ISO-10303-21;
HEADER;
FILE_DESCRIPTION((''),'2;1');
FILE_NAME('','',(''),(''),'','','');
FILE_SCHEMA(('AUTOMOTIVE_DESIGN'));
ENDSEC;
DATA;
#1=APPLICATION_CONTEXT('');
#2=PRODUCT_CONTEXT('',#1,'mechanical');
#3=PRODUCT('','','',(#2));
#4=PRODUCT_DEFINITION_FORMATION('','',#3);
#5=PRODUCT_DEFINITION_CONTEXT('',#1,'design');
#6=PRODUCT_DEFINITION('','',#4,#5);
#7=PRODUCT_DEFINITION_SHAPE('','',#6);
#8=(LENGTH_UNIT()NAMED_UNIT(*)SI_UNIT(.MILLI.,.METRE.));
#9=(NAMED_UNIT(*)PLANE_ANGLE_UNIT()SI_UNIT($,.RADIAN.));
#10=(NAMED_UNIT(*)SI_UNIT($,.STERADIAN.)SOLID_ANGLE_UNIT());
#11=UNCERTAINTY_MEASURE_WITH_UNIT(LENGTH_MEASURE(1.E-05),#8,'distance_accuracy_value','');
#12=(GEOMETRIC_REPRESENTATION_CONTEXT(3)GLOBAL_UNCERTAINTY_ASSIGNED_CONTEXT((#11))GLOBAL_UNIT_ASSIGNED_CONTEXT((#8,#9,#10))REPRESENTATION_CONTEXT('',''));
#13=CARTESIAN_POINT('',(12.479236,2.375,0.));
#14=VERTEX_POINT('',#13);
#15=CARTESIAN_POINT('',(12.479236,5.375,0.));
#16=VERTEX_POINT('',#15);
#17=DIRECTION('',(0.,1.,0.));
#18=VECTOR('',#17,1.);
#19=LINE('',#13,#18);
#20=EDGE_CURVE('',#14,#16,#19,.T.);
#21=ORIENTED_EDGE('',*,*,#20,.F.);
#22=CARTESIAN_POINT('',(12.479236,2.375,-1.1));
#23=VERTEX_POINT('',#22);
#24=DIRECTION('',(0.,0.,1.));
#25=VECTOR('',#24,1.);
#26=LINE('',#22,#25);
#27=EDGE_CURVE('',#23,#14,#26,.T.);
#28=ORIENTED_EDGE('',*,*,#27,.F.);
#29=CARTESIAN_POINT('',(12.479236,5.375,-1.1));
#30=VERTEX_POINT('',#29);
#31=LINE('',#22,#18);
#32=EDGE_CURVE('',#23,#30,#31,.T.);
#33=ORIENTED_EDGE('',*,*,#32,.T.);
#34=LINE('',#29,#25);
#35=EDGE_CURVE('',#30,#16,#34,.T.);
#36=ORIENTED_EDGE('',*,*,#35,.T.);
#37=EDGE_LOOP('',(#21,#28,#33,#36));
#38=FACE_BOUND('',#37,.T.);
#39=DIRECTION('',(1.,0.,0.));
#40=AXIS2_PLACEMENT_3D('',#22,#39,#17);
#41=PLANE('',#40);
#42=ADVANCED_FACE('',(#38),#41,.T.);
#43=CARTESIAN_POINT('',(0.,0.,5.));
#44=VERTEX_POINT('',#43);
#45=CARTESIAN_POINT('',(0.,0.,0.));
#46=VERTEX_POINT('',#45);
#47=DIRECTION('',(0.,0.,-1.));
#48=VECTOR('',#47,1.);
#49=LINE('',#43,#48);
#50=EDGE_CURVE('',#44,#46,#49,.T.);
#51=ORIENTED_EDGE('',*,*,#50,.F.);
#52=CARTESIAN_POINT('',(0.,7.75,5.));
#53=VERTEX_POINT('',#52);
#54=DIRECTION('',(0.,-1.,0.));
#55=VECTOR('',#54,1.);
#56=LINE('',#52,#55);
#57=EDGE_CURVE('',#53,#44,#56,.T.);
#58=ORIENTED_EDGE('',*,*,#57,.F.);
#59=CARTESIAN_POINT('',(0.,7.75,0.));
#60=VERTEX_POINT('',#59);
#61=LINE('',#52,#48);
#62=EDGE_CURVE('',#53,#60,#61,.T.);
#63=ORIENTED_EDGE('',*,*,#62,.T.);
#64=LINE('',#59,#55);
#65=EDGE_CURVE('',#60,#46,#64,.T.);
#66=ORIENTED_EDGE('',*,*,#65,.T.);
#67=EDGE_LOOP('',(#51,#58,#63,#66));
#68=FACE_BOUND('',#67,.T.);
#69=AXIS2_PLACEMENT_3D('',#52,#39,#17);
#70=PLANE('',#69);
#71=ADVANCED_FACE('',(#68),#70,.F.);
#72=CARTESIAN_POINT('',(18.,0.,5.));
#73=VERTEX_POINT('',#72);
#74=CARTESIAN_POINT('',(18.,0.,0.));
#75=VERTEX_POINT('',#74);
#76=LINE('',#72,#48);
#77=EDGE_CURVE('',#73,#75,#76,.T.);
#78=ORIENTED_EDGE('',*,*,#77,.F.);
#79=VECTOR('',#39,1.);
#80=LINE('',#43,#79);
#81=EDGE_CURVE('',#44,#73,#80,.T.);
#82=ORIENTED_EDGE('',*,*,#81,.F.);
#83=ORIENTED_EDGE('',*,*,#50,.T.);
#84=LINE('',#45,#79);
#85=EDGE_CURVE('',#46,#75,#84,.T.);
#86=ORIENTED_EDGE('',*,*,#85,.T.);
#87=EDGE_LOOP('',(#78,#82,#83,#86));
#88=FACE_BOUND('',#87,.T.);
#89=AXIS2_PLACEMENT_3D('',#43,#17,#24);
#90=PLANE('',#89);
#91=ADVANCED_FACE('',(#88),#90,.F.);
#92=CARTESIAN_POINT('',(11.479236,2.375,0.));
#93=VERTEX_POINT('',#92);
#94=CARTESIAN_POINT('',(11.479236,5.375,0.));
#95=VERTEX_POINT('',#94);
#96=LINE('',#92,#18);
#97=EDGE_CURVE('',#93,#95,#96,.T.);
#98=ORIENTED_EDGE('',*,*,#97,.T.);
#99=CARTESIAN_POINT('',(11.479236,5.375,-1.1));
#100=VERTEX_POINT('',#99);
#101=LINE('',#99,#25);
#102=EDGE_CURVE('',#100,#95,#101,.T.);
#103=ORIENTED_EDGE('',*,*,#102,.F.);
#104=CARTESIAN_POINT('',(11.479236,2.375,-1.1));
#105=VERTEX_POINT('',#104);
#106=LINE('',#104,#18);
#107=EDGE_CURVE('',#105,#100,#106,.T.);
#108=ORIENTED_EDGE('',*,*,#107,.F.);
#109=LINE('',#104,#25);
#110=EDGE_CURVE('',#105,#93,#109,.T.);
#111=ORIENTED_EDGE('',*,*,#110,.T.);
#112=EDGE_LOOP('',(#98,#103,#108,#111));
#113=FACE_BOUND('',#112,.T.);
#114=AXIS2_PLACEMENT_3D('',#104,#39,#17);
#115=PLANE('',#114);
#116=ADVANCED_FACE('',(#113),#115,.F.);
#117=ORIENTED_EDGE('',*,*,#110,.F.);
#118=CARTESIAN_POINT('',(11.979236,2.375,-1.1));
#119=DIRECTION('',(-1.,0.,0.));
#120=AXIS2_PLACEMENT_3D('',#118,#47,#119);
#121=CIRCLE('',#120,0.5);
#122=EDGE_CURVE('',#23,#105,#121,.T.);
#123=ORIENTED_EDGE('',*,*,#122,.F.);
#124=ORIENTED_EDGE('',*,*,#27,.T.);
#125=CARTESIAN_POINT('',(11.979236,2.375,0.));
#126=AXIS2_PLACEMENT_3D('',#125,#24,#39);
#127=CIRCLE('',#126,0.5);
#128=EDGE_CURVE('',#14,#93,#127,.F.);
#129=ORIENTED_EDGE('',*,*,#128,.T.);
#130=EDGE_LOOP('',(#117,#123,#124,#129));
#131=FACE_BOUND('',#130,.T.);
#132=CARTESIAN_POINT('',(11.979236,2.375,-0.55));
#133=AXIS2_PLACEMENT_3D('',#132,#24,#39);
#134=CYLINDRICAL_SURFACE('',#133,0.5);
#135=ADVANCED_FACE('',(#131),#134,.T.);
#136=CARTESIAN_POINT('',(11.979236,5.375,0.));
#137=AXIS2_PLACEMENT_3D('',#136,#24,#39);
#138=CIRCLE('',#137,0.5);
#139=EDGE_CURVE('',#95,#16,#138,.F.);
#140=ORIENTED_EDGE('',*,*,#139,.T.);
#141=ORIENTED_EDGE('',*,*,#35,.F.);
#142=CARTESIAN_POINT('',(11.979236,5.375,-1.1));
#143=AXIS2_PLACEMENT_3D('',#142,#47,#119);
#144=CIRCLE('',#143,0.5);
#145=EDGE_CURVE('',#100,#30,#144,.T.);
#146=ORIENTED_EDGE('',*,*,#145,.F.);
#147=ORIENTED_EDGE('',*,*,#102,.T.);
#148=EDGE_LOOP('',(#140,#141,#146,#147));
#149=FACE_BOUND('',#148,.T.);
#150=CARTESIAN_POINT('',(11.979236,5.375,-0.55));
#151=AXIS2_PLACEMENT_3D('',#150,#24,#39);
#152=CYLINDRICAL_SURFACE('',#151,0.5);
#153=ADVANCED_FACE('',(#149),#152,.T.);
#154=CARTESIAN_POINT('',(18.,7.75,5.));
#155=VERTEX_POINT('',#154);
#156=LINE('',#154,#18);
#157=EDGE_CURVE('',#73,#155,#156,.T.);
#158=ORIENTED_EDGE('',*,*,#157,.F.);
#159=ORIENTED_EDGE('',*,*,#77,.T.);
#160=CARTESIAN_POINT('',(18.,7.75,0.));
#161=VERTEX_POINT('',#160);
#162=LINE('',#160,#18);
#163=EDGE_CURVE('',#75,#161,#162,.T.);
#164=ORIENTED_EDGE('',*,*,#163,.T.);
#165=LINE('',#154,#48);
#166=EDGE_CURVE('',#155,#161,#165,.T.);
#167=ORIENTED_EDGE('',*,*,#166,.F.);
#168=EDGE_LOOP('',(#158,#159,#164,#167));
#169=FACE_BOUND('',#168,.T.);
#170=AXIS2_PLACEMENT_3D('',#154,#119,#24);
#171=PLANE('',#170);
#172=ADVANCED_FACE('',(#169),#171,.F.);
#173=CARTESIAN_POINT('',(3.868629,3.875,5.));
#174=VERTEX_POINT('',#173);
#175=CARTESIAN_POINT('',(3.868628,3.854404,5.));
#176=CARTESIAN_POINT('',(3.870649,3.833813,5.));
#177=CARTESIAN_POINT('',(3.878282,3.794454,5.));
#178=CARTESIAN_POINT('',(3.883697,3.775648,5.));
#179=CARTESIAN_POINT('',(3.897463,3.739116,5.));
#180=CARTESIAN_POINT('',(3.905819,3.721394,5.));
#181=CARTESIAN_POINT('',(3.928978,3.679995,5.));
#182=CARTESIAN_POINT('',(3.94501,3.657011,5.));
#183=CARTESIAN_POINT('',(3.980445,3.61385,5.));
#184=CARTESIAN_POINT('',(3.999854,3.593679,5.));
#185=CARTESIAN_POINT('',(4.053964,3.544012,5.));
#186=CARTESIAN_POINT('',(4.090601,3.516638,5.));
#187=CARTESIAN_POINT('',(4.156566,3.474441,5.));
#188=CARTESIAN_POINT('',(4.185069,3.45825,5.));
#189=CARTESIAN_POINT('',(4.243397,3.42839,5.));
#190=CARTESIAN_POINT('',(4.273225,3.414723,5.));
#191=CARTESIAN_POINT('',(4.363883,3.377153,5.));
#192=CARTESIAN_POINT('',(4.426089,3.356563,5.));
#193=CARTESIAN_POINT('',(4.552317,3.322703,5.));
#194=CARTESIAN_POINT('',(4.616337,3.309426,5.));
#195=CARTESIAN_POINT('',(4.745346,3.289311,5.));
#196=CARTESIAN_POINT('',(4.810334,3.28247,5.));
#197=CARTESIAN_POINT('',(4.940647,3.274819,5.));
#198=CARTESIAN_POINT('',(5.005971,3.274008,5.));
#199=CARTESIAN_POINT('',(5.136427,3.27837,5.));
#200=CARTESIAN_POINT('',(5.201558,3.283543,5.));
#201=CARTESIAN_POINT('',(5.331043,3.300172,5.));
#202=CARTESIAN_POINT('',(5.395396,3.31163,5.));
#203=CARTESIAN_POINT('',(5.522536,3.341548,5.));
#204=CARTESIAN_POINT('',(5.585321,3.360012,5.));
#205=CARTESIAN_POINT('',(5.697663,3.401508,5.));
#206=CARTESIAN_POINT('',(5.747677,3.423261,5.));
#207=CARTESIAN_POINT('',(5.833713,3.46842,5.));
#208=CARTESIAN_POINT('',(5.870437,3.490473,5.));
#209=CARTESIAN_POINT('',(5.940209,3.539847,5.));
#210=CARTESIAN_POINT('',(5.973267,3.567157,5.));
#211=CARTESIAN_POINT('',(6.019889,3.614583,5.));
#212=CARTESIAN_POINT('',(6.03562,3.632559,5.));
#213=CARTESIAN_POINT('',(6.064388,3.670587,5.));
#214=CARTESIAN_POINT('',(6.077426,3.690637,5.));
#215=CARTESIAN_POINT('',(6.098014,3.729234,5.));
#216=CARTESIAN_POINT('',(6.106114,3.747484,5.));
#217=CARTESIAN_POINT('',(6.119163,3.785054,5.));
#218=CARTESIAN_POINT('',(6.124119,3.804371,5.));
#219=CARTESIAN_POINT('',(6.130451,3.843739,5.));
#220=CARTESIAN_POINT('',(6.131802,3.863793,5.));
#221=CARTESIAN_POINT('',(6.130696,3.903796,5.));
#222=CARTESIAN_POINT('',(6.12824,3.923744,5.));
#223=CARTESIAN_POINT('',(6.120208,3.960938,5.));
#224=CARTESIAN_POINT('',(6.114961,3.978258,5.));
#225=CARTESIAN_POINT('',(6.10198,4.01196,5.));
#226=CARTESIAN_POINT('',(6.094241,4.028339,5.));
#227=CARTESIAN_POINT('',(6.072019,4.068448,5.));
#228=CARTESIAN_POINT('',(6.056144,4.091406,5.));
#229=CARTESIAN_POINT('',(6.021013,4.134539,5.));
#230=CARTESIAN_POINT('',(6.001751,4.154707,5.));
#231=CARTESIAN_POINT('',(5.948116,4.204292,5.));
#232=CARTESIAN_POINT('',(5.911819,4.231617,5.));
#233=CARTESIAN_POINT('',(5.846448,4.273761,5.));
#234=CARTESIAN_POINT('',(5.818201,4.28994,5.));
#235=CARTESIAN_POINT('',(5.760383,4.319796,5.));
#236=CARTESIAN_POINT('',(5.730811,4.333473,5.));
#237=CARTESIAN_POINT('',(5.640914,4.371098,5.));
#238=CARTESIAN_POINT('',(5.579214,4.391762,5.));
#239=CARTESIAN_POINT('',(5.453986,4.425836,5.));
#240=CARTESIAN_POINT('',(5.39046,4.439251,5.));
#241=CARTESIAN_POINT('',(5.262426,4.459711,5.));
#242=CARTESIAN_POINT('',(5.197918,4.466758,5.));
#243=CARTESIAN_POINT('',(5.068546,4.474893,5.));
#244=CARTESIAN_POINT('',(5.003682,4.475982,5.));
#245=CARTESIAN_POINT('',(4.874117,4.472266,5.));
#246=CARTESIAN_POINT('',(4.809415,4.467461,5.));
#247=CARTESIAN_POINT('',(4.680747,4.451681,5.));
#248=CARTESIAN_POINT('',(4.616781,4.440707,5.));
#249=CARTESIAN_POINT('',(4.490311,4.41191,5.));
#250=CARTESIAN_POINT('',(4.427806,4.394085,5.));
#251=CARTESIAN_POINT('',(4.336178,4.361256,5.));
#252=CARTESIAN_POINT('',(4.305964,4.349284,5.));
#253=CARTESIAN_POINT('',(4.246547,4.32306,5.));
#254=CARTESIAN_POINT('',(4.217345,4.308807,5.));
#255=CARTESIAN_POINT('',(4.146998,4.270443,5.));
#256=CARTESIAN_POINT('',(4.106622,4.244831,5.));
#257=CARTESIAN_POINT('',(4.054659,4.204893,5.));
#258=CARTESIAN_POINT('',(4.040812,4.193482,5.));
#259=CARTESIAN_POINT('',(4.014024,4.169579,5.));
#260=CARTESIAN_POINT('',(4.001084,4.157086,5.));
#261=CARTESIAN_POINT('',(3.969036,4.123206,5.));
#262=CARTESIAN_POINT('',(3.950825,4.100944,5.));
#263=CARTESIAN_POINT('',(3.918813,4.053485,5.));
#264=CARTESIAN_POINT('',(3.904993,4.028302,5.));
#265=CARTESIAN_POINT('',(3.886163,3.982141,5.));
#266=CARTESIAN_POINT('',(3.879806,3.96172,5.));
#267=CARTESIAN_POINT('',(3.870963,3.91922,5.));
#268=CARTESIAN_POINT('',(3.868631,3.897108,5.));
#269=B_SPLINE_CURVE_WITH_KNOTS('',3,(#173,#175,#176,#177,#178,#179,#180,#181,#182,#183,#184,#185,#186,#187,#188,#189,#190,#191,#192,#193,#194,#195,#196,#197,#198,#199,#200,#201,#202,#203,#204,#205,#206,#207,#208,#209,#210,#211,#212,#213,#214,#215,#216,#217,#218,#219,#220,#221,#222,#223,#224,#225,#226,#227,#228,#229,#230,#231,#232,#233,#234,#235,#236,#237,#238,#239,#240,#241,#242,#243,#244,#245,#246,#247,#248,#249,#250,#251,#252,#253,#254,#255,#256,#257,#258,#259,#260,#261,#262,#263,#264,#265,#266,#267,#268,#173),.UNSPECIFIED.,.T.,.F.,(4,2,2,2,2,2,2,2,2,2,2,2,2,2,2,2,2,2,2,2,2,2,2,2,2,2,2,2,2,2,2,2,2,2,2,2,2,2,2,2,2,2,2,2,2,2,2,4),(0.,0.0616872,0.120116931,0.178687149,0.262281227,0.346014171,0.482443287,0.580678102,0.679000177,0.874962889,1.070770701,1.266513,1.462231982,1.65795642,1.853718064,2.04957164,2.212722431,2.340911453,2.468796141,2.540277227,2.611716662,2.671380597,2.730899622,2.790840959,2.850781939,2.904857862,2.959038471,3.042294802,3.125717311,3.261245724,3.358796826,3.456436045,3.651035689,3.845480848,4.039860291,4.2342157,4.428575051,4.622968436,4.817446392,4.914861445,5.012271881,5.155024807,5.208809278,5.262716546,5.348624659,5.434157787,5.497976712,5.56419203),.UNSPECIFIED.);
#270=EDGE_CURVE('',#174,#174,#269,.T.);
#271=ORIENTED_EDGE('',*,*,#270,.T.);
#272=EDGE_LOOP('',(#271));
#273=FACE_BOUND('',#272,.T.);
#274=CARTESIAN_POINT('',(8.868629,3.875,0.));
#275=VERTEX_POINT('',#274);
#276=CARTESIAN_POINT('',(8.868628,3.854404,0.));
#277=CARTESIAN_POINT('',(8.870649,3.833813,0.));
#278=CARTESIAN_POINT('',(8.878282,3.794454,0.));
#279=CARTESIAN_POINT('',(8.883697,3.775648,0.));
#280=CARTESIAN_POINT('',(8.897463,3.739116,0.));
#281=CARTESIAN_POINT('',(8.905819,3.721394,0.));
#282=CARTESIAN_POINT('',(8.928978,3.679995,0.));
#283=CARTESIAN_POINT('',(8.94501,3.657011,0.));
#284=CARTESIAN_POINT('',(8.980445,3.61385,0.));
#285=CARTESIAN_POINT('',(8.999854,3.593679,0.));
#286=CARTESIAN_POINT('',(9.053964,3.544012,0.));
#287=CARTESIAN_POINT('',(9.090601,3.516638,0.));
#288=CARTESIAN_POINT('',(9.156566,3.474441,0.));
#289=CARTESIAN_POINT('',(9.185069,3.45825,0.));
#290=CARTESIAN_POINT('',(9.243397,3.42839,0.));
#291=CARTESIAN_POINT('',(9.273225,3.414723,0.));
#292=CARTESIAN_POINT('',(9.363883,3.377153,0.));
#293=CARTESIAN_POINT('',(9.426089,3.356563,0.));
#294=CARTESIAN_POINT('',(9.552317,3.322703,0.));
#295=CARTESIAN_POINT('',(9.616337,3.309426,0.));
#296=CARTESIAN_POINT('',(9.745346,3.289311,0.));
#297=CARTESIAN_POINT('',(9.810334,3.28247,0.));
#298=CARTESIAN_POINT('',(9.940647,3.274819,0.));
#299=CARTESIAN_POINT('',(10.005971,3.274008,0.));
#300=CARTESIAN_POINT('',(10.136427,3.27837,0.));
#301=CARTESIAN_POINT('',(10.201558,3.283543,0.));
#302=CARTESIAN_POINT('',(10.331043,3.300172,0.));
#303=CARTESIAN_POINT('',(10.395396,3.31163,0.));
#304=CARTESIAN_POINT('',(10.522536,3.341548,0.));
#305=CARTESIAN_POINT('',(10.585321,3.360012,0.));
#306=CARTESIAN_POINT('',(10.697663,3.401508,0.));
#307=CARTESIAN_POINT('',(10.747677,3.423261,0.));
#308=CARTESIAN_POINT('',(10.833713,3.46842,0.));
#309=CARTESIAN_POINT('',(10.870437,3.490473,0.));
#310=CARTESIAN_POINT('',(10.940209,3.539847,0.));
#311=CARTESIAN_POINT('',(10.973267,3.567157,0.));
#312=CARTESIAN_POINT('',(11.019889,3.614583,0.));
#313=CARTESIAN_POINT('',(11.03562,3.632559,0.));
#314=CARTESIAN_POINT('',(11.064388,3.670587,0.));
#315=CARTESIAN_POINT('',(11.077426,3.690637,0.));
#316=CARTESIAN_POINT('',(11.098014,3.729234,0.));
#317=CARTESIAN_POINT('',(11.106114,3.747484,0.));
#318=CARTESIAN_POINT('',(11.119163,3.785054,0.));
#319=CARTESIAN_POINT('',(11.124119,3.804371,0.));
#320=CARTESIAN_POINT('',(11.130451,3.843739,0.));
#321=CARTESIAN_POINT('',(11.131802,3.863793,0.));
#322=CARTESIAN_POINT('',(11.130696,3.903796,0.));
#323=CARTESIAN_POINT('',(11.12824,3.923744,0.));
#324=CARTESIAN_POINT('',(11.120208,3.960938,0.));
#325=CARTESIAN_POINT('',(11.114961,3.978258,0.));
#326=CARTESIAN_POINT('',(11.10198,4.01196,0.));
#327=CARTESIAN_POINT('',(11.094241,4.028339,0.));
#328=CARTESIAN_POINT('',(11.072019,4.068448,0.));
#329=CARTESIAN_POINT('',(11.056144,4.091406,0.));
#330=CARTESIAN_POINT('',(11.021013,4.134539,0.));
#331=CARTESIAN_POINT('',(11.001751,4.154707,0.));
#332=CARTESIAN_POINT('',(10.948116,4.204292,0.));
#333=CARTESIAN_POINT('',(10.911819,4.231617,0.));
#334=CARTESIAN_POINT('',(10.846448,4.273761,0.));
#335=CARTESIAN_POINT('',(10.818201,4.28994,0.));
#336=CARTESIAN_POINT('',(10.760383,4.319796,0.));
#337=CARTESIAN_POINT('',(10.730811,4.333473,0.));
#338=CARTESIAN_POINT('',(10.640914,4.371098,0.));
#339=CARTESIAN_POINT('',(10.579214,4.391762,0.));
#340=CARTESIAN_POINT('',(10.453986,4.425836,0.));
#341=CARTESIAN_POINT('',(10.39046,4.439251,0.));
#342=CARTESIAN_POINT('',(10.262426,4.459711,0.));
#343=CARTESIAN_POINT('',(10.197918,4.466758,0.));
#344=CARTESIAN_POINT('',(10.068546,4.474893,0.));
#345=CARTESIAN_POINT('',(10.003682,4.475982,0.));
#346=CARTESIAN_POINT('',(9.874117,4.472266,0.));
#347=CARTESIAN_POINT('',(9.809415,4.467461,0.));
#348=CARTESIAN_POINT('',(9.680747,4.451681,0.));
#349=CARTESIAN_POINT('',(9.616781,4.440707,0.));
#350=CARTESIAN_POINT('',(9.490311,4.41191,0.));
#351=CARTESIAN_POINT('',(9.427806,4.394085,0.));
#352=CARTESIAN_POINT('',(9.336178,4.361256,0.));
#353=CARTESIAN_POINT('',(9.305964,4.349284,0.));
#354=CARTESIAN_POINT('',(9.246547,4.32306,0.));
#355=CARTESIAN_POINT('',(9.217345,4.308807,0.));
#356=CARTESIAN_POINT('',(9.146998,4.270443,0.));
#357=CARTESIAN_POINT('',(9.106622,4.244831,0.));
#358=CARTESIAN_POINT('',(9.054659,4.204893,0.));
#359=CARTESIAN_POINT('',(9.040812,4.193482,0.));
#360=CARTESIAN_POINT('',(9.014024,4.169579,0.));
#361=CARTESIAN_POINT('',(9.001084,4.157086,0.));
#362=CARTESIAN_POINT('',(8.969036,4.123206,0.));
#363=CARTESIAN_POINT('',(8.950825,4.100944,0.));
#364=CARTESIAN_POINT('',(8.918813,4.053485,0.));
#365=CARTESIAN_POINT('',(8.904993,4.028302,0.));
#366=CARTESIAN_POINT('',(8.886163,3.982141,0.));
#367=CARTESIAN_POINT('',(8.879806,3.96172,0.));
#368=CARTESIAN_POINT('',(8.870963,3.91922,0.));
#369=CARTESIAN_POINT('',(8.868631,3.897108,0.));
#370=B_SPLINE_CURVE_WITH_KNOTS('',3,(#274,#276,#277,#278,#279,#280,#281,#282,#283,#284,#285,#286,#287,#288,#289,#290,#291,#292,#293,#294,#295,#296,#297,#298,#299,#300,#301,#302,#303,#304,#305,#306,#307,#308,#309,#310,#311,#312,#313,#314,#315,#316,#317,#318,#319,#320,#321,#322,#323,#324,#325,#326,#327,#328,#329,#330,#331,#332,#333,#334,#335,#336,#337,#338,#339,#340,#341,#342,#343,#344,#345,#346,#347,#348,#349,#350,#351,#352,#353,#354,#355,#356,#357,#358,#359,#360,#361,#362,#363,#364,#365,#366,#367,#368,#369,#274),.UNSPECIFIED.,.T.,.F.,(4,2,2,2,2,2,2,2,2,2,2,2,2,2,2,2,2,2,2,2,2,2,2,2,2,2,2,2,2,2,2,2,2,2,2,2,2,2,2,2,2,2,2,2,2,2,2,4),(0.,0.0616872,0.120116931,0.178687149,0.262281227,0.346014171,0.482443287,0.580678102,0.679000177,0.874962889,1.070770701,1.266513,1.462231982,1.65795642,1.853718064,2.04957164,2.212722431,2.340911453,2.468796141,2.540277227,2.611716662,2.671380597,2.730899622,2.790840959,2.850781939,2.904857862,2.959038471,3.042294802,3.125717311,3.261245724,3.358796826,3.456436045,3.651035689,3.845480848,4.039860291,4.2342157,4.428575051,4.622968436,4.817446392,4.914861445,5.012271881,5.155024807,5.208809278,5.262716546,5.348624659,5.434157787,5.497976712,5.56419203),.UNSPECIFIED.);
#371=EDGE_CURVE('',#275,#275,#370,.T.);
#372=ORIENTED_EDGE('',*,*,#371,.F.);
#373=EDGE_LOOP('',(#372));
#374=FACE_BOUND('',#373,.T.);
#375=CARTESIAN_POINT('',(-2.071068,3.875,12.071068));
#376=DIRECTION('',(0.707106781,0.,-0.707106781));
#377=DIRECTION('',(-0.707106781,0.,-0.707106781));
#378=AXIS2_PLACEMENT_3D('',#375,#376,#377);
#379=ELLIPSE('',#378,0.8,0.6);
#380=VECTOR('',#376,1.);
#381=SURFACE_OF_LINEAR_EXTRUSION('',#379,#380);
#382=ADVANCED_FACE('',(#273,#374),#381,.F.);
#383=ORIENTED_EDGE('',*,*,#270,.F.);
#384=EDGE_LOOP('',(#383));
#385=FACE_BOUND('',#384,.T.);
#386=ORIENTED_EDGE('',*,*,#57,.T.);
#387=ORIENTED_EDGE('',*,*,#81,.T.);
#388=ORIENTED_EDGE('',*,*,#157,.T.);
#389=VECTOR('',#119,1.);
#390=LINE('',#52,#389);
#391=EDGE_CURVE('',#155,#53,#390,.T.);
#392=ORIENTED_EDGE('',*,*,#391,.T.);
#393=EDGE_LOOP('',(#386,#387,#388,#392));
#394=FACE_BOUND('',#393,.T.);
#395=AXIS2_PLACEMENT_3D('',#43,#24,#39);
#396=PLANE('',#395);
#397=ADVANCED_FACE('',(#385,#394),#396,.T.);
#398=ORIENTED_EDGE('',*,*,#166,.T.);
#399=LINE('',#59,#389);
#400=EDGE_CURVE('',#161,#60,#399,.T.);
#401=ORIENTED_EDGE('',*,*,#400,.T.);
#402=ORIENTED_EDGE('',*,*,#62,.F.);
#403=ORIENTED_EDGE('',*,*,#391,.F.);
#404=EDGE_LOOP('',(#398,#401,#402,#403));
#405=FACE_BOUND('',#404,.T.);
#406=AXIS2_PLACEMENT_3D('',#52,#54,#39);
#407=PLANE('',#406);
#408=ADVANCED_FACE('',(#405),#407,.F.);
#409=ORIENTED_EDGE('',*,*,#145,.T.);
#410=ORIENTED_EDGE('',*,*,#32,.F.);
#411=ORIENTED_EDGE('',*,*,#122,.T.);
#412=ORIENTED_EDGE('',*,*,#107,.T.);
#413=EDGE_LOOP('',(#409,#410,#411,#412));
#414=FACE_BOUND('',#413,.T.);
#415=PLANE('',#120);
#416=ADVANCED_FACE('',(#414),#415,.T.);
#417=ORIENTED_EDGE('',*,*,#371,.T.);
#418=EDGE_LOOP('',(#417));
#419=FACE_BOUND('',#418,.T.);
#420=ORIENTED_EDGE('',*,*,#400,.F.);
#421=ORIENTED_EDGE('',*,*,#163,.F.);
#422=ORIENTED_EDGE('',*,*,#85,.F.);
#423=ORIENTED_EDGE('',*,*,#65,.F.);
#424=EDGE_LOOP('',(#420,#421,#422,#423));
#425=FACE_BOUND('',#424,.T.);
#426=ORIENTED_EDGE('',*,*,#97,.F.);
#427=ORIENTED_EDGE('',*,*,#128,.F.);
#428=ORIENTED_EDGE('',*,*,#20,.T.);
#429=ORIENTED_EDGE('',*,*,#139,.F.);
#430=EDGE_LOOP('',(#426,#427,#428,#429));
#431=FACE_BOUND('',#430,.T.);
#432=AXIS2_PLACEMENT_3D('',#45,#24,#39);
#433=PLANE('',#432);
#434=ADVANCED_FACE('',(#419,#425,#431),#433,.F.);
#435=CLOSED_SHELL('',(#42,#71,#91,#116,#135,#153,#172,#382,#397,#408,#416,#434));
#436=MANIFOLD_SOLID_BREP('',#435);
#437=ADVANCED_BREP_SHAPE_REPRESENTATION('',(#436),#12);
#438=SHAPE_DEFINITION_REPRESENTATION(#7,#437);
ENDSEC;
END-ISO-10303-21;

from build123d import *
from build123d.topology import SkipClean

# Parameters (mm, degrees)
ESQUISSE1_W                  = 18
ESQUISSE1_H                  = 7.75
BOSS_EXTRU_1_DEPTH           = 5
ENL_V_MAT_EXTRU_1_DEPTH      = 15
ENL_V_MAT_EXTRU_1_DEPTH_BACK = 10
ESQUISSE13_RX                = 0.8
ESQUISSE13_RY                = 0.6
ESQUISSE15_R                 = 0.5
BOSS_EXTRU_3_DEPTH           = 0.55
BOSS_EXTRU_4_DEPTH           = 1.1


with BuildPart() as part:
    # Esquisse1 → Boss.-Extru.1 (new body)
    with BuildSketch(Plane.XY):
        with Locations((9, 3.875)):
            Rectangle(ESQUISSE1_W, ESQUISSE1_H)
    extrude(amount=BOSS_EXTRU_1_DEPTH)

    # Esquisse13 → Enlèv. mat.-Extru.1 (cut, two sides: drawn at the far end of the back side and taken through both)
    with BuildSketch(Plane(origin=(5, 3.875, 5), x_dir=(-0.7071067811865476, 0, -0.7071067811865475), z_dir=(0.7071067811865475, 0, -0.7071067811865476)).offset(-ENL_V_MAT_EXTRU_1_DEPTH_BACK)):
        with Locations(Location((0, 0), (0, 0, 0))):
            Ellipse(ESQUISSE13_RX, ESQUISSE13_RY)
    extrude(amount=ENL_V_MAT_EXTRU_1_DEPTH + ENL_V_MAT_EXTRU_1_DEPTH_BACK, mode=Mode.SUBTRACT)

    # Esquisse15 → Boss.-Extru.3 (add)
    with BuildSketch(Plane(origin=(0, 0, 0), x_dir=(-1, 0, 0), z_dir=(0, 0, -1))):
        with Locations((-11.979236125, 2.375)):
            Circle(ESQUISSE15_R)
        with Locations((-11.979236125, 5.375)):
            Circle(ESQUISSE15_R)
    extrude(amount=BOSS_EXTRU_3_DEPTH)

    # Esquisse16 → Boss.-Extru.4 (add)
    with SkipClean():  # the faces are left unmerged after this step: merging them gives an invalid solid
        with BuildSketch(Plane(origin=(0, 0, 0), x_dir=(-1, 0, 0), z_dir=(0, 0, -1))):
            with BuildLine():
                Line((-12.479236125, 2.375), (-12.479236125, 5.375))
                ThreePointArc((-12.479236125, 5.375), (-11.979236125, 5.875), (-11.479236125, 5.375))
                Line((-11.479236125, 5.375), (-11.479236125, 2.375))
                ThreePointArc((-11.479236125, 2.375), (-11.979236125, 1.875), (-12.479236125, 2.375))
            make_face()
        extrude(amount=BOSS_EXTRU_4_DEPTH)


solid = part.part
